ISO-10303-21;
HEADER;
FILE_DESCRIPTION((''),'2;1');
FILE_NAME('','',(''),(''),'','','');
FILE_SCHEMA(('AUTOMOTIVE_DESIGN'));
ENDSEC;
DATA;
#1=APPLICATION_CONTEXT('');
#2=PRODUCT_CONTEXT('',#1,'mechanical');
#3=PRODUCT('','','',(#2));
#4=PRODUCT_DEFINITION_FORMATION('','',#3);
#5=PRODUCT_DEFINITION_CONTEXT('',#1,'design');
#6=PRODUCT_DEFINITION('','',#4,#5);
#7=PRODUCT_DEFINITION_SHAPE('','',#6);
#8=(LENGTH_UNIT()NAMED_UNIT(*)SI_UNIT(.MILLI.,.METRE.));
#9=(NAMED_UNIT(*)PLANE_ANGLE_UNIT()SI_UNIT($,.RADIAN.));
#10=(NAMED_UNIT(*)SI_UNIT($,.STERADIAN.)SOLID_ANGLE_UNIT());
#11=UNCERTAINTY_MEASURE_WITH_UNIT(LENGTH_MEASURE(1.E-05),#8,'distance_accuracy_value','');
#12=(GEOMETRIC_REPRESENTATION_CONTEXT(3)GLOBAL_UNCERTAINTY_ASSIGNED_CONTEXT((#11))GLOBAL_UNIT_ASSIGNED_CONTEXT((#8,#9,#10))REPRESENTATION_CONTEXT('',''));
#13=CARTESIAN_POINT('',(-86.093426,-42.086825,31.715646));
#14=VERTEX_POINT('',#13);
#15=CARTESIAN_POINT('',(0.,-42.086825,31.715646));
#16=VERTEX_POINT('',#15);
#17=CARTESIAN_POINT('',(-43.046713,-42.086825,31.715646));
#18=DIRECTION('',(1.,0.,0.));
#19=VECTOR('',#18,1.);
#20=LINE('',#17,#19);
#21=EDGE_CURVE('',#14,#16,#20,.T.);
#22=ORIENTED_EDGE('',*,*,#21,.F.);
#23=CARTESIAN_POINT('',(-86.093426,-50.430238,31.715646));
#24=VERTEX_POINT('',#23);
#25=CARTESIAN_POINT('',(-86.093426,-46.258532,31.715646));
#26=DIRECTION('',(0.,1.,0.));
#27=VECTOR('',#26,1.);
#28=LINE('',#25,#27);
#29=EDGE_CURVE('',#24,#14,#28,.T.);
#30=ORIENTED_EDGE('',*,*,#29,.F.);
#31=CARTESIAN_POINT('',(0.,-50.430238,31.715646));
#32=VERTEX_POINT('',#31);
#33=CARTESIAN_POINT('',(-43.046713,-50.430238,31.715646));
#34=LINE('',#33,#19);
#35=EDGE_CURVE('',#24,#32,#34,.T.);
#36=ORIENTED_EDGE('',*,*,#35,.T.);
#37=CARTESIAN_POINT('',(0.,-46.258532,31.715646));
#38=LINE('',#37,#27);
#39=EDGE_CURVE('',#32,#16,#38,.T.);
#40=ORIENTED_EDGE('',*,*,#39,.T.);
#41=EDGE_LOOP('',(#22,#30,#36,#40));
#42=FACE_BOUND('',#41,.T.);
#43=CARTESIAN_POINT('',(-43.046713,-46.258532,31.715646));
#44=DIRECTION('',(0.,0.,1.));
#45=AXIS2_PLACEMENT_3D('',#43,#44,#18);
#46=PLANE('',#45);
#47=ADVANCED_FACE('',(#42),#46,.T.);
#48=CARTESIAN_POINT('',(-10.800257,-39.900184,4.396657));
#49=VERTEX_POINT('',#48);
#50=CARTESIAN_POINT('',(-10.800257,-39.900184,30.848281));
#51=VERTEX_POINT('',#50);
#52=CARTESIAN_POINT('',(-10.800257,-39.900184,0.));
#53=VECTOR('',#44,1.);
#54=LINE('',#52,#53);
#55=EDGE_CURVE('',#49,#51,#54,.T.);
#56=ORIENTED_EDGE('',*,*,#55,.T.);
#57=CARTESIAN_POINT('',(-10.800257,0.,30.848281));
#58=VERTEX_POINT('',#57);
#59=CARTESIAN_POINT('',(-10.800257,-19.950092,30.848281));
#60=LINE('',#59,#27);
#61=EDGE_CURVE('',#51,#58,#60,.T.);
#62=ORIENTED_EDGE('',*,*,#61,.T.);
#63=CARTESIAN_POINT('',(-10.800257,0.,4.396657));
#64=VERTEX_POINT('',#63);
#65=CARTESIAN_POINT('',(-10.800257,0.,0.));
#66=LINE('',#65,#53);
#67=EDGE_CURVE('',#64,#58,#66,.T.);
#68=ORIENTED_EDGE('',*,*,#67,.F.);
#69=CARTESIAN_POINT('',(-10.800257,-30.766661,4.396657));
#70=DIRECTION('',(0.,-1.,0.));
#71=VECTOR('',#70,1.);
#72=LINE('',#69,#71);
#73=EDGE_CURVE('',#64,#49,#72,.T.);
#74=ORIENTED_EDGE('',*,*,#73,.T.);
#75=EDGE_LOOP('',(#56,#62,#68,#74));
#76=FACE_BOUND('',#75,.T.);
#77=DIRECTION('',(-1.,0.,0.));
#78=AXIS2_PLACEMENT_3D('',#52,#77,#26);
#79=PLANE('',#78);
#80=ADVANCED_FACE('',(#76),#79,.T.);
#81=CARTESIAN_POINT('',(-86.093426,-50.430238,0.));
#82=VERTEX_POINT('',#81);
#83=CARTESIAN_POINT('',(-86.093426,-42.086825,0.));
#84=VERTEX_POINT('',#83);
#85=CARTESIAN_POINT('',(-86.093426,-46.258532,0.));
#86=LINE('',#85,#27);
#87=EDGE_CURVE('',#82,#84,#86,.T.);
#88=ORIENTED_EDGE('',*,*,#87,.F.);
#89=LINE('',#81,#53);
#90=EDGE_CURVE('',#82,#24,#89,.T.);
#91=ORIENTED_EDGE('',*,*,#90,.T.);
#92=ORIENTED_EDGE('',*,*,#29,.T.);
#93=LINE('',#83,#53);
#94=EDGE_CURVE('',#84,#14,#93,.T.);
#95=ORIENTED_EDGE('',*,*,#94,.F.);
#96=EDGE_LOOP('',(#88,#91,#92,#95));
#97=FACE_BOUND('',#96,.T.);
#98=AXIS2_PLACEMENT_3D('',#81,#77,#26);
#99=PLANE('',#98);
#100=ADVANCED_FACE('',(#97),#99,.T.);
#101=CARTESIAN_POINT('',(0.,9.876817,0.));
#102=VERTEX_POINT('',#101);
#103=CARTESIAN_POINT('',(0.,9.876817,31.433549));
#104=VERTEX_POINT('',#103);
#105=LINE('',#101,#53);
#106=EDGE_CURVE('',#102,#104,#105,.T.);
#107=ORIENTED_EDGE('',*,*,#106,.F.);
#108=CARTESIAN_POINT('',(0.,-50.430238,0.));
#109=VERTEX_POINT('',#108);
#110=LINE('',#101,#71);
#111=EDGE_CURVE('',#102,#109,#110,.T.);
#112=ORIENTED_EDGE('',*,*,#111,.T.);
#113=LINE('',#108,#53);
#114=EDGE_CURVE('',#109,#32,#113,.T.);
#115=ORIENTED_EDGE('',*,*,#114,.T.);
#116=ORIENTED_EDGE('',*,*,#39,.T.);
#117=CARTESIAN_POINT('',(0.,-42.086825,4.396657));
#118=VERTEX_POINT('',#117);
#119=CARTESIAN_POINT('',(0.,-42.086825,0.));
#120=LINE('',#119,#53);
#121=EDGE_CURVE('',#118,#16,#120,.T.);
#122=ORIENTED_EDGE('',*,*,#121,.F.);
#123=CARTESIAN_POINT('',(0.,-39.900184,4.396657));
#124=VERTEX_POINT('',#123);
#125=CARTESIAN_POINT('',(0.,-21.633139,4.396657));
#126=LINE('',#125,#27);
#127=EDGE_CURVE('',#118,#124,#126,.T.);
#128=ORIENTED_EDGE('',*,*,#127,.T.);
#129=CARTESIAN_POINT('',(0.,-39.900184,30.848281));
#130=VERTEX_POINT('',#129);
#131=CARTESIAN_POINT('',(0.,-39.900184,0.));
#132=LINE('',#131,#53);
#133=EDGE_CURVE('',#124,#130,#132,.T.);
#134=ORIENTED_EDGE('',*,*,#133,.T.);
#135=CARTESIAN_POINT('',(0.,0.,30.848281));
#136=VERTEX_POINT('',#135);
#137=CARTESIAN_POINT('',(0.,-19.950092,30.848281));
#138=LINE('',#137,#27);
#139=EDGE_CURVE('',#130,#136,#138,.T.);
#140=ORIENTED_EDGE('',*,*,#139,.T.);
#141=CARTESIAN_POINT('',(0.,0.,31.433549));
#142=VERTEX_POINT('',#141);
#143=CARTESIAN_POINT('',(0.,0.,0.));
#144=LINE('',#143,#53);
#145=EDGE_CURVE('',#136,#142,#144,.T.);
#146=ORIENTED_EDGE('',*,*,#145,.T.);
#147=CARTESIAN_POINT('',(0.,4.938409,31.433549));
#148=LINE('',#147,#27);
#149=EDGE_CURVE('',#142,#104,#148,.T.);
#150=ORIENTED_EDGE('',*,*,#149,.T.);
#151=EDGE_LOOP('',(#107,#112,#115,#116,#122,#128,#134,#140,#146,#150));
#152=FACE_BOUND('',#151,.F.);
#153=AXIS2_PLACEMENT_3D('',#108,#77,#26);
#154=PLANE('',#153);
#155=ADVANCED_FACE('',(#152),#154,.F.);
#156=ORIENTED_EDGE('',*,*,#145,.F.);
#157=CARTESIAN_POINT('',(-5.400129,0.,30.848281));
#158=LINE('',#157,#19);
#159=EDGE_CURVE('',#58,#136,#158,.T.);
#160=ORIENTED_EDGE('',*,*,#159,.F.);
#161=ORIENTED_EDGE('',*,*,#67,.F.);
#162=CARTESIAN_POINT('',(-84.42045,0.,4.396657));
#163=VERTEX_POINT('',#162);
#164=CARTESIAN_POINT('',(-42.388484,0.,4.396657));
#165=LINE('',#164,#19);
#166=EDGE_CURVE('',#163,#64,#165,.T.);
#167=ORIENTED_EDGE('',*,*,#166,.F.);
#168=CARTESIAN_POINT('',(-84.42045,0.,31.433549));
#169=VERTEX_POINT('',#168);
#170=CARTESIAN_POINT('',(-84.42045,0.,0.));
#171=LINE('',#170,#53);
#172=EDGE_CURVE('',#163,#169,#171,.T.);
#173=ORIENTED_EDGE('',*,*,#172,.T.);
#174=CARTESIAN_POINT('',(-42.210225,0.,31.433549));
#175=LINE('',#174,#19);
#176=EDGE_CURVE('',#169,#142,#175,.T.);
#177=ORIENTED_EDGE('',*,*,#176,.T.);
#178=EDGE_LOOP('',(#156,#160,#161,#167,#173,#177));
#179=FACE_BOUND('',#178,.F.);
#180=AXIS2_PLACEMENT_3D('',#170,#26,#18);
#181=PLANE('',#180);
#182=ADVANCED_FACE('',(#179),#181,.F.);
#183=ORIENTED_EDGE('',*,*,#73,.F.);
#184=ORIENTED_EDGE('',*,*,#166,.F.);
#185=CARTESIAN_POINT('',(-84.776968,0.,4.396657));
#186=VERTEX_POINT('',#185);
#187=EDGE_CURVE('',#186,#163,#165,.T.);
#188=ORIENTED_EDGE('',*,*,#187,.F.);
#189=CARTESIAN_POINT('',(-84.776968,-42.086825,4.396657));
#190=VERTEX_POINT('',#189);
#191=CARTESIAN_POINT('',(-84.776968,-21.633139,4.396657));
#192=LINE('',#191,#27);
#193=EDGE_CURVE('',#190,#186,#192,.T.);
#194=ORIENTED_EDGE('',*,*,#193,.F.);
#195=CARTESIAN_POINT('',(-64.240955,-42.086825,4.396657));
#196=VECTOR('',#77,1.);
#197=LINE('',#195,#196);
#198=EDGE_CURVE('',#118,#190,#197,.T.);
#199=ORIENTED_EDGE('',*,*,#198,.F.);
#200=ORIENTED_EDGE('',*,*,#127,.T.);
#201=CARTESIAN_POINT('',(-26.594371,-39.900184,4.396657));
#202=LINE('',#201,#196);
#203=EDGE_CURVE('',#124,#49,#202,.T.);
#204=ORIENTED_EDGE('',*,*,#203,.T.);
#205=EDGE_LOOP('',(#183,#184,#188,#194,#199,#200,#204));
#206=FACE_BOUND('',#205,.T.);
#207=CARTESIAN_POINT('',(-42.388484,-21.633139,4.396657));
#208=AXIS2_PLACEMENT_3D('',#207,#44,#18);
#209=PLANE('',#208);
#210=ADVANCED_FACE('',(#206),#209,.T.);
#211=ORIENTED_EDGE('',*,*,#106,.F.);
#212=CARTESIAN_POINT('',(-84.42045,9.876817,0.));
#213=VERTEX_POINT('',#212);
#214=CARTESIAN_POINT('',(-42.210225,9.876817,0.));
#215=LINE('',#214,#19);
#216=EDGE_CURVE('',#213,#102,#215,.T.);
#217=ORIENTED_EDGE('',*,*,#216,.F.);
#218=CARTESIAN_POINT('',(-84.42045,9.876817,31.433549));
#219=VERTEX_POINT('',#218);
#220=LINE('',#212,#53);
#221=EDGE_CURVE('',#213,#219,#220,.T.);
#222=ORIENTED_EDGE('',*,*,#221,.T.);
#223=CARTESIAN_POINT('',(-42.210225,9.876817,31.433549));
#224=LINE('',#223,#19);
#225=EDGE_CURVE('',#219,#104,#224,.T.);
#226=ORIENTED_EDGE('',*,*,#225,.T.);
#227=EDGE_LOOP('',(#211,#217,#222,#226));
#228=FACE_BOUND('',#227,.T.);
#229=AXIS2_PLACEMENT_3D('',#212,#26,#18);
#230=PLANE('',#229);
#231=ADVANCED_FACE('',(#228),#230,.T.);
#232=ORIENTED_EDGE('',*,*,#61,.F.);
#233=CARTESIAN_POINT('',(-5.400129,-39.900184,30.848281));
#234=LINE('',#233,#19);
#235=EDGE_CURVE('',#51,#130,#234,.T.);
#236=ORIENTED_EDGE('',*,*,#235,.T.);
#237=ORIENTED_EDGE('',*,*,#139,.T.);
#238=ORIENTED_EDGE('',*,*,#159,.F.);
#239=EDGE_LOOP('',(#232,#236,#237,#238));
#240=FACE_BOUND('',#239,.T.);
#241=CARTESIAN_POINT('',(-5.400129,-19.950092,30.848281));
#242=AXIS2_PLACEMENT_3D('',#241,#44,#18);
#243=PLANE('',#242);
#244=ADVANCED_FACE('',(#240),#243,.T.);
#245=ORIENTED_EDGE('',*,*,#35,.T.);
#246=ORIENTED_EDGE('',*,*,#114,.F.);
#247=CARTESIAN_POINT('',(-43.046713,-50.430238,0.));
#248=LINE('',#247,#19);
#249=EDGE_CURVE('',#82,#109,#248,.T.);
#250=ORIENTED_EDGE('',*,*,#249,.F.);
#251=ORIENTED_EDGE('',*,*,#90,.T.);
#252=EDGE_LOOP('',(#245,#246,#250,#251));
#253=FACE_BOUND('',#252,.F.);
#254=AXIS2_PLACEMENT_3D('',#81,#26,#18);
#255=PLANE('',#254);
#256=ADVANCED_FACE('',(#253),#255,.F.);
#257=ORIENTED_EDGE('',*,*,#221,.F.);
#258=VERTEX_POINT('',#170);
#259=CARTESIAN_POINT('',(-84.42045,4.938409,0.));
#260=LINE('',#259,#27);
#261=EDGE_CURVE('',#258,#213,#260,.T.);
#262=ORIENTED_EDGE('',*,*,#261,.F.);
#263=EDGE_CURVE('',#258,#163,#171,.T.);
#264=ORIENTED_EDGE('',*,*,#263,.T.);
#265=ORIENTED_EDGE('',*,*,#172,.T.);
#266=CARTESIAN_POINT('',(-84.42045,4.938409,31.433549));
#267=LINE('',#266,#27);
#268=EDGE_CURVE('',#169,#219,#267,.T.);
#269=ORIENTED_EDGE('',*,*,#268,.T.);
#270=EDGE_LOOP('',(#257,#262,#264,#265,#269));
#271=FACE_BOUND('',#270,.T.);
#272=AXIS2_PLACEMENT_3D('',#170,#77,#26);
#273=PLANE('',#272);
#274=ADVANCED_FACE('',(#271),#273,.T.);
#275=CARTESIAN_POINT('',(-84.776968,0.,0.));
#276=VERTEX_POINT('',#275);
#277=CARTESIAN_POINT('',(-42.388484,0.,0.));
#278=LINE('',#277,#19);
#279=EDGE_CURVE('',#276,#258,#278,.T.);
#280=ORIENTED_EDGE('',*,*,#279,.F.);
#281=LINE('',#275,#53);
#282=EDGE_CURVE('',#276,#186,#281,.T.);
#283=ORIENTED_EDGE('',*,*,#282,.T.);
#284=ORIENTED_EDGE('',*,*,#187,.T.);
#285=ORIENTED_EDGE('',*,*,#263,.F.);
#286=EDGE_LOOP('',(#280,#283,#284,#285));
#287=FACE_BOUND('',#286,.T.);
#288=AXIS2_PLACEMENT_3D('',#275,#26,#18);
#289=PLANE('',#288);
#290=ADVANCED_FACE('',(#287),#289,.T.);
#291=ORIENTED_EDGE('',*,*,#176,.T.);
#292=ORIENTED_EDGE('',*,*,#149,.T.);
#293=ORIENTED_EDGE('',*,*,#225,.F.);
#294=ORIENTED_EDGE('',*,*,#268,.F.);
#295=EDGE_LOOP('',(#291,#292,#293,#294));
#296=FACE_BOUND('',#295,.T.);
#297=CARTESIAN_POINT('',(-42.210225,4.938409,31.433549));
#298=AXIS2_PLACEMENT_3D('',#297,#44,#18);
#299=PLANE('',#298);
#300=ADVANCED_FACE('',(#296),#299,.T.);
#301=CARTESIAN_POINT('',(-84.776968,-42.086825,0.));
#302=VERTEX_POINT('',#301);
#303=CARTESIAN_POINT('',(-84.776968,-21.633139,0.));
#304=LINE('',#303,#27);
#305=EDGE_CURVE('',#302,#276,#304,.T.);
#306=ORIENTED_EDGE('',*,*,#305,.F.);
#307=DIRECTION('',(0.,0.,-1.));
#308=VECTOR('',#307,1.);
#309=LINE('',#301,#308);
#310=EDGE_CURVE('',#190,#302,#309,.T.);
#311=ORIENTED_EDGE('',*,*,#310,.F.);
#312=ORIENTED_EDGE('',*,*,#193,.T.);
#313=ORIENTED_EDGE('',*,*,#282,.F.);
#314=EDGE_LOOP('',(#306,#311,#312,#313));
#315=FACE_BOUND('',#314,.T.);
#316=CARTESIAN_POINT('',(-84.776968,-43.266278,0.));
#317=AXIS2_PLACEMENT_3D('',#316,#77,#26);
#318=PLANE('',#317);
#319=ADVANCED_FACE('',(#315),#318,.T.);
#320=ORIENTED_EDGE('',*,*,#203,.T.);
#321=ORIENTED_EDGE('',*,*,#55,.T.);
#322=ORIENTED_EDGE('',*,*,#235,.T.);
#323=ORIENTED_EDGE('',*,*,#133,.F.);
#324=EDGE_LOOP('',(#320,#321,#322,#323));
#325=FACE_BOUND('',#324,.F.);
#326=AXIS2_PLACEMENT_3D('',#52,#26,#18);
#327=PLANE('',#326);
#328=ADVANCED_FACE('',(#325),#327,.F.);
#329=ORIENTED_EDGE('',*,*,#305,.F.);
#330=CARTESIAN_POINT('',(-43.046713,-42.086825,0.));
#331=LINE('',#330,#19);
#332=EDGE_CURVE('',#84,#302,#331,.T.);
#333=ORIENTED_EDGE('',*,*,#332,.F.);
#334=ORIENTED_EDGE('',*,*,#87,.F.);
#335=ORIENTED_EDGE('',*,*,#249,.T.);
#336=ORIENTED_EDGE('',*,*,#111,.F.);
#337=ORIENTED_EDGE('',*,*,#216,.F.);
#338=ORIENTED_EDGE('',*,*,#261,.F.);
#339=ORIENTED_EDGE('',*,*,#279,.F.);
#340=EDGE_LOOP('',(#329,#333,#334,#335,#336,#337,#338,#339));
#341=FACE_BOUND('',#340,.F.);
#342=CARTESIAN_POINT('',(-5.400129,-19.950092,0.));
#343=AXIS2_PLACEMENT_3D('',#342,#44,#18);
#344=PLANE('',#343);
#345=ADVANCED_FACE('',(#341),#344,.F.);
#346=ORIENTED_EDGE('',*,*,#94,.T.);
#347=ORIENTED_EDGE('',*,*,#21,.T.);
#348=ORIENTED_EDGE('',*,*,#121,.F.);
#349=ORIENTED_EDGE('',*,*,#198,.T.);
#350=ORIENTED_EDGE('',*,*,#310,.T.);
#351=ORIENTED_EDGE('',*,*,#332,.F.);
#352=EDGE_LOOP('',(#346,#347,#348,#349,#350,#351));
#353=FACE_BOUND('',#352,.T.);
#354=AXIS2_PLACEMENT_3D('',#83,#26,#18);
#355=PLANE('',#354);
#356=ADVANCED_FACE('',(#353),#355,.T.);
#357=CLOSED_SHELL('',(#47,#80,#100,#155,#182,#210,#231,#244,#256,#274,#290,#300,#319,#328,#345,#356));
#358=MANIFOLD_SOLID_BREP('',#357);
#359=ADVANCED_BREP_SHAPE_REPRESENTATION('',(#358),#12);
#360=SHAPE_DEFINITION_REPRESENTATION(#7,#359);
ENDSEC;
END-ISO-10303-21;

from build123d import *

# Parameters (mm, degrees)
F0_W     = 84.7769677639
F0_H     = 43.2662777603
F1_DEPTH = 4.3966565281
F2_W     = 84.4204500318
F2_H     = 9.8768174648
F3_DEPTH = 31.4335487783
F4_W     = 86.0934257507
F4_H     = 8.3434134722
F5_DEPTH = 31.7156463861
F6_W     = 10.8002573252
F6_H     = 39.9001836777
F7_DEPTH = 30.848281458


with BuildPart() as f1:
    # F0 (on Top) → F1 (new body)
    with BuildSketch(Plane.XY):
        with Locations((-42.388483882, -21.6331388801)):
            Rectangle(F0_W, F0_H)
    extrude(amount=F1_DEPTH)

    # F2 (on Top) → F3 (join)
    with BuildSketch(Plane.XY):
        with Locations((-42.2102250159, 4.9384087324)):
            Rectangle(F2_W, F2_H)
    extrude(amount=F3_DEPTH)

    # F4 (on Top) → F5 (join)
    with BuildSketch(Plane.XY):
        with Locations((-43.0467128754, -46.2585315108)):
            Rectangle(F4_W, F4_H)
    extrude(amount=F5_DEPTH)

    # F6 (on Top) → F7 (join)
    with BuildSketch(Plane.XY):
        with Locations((-5.4001286626, -19.9500918388)):
            Rectangle(F6_W, F6_H)
    extrude(amount=F7_DEPTH)


solid = f1.part
